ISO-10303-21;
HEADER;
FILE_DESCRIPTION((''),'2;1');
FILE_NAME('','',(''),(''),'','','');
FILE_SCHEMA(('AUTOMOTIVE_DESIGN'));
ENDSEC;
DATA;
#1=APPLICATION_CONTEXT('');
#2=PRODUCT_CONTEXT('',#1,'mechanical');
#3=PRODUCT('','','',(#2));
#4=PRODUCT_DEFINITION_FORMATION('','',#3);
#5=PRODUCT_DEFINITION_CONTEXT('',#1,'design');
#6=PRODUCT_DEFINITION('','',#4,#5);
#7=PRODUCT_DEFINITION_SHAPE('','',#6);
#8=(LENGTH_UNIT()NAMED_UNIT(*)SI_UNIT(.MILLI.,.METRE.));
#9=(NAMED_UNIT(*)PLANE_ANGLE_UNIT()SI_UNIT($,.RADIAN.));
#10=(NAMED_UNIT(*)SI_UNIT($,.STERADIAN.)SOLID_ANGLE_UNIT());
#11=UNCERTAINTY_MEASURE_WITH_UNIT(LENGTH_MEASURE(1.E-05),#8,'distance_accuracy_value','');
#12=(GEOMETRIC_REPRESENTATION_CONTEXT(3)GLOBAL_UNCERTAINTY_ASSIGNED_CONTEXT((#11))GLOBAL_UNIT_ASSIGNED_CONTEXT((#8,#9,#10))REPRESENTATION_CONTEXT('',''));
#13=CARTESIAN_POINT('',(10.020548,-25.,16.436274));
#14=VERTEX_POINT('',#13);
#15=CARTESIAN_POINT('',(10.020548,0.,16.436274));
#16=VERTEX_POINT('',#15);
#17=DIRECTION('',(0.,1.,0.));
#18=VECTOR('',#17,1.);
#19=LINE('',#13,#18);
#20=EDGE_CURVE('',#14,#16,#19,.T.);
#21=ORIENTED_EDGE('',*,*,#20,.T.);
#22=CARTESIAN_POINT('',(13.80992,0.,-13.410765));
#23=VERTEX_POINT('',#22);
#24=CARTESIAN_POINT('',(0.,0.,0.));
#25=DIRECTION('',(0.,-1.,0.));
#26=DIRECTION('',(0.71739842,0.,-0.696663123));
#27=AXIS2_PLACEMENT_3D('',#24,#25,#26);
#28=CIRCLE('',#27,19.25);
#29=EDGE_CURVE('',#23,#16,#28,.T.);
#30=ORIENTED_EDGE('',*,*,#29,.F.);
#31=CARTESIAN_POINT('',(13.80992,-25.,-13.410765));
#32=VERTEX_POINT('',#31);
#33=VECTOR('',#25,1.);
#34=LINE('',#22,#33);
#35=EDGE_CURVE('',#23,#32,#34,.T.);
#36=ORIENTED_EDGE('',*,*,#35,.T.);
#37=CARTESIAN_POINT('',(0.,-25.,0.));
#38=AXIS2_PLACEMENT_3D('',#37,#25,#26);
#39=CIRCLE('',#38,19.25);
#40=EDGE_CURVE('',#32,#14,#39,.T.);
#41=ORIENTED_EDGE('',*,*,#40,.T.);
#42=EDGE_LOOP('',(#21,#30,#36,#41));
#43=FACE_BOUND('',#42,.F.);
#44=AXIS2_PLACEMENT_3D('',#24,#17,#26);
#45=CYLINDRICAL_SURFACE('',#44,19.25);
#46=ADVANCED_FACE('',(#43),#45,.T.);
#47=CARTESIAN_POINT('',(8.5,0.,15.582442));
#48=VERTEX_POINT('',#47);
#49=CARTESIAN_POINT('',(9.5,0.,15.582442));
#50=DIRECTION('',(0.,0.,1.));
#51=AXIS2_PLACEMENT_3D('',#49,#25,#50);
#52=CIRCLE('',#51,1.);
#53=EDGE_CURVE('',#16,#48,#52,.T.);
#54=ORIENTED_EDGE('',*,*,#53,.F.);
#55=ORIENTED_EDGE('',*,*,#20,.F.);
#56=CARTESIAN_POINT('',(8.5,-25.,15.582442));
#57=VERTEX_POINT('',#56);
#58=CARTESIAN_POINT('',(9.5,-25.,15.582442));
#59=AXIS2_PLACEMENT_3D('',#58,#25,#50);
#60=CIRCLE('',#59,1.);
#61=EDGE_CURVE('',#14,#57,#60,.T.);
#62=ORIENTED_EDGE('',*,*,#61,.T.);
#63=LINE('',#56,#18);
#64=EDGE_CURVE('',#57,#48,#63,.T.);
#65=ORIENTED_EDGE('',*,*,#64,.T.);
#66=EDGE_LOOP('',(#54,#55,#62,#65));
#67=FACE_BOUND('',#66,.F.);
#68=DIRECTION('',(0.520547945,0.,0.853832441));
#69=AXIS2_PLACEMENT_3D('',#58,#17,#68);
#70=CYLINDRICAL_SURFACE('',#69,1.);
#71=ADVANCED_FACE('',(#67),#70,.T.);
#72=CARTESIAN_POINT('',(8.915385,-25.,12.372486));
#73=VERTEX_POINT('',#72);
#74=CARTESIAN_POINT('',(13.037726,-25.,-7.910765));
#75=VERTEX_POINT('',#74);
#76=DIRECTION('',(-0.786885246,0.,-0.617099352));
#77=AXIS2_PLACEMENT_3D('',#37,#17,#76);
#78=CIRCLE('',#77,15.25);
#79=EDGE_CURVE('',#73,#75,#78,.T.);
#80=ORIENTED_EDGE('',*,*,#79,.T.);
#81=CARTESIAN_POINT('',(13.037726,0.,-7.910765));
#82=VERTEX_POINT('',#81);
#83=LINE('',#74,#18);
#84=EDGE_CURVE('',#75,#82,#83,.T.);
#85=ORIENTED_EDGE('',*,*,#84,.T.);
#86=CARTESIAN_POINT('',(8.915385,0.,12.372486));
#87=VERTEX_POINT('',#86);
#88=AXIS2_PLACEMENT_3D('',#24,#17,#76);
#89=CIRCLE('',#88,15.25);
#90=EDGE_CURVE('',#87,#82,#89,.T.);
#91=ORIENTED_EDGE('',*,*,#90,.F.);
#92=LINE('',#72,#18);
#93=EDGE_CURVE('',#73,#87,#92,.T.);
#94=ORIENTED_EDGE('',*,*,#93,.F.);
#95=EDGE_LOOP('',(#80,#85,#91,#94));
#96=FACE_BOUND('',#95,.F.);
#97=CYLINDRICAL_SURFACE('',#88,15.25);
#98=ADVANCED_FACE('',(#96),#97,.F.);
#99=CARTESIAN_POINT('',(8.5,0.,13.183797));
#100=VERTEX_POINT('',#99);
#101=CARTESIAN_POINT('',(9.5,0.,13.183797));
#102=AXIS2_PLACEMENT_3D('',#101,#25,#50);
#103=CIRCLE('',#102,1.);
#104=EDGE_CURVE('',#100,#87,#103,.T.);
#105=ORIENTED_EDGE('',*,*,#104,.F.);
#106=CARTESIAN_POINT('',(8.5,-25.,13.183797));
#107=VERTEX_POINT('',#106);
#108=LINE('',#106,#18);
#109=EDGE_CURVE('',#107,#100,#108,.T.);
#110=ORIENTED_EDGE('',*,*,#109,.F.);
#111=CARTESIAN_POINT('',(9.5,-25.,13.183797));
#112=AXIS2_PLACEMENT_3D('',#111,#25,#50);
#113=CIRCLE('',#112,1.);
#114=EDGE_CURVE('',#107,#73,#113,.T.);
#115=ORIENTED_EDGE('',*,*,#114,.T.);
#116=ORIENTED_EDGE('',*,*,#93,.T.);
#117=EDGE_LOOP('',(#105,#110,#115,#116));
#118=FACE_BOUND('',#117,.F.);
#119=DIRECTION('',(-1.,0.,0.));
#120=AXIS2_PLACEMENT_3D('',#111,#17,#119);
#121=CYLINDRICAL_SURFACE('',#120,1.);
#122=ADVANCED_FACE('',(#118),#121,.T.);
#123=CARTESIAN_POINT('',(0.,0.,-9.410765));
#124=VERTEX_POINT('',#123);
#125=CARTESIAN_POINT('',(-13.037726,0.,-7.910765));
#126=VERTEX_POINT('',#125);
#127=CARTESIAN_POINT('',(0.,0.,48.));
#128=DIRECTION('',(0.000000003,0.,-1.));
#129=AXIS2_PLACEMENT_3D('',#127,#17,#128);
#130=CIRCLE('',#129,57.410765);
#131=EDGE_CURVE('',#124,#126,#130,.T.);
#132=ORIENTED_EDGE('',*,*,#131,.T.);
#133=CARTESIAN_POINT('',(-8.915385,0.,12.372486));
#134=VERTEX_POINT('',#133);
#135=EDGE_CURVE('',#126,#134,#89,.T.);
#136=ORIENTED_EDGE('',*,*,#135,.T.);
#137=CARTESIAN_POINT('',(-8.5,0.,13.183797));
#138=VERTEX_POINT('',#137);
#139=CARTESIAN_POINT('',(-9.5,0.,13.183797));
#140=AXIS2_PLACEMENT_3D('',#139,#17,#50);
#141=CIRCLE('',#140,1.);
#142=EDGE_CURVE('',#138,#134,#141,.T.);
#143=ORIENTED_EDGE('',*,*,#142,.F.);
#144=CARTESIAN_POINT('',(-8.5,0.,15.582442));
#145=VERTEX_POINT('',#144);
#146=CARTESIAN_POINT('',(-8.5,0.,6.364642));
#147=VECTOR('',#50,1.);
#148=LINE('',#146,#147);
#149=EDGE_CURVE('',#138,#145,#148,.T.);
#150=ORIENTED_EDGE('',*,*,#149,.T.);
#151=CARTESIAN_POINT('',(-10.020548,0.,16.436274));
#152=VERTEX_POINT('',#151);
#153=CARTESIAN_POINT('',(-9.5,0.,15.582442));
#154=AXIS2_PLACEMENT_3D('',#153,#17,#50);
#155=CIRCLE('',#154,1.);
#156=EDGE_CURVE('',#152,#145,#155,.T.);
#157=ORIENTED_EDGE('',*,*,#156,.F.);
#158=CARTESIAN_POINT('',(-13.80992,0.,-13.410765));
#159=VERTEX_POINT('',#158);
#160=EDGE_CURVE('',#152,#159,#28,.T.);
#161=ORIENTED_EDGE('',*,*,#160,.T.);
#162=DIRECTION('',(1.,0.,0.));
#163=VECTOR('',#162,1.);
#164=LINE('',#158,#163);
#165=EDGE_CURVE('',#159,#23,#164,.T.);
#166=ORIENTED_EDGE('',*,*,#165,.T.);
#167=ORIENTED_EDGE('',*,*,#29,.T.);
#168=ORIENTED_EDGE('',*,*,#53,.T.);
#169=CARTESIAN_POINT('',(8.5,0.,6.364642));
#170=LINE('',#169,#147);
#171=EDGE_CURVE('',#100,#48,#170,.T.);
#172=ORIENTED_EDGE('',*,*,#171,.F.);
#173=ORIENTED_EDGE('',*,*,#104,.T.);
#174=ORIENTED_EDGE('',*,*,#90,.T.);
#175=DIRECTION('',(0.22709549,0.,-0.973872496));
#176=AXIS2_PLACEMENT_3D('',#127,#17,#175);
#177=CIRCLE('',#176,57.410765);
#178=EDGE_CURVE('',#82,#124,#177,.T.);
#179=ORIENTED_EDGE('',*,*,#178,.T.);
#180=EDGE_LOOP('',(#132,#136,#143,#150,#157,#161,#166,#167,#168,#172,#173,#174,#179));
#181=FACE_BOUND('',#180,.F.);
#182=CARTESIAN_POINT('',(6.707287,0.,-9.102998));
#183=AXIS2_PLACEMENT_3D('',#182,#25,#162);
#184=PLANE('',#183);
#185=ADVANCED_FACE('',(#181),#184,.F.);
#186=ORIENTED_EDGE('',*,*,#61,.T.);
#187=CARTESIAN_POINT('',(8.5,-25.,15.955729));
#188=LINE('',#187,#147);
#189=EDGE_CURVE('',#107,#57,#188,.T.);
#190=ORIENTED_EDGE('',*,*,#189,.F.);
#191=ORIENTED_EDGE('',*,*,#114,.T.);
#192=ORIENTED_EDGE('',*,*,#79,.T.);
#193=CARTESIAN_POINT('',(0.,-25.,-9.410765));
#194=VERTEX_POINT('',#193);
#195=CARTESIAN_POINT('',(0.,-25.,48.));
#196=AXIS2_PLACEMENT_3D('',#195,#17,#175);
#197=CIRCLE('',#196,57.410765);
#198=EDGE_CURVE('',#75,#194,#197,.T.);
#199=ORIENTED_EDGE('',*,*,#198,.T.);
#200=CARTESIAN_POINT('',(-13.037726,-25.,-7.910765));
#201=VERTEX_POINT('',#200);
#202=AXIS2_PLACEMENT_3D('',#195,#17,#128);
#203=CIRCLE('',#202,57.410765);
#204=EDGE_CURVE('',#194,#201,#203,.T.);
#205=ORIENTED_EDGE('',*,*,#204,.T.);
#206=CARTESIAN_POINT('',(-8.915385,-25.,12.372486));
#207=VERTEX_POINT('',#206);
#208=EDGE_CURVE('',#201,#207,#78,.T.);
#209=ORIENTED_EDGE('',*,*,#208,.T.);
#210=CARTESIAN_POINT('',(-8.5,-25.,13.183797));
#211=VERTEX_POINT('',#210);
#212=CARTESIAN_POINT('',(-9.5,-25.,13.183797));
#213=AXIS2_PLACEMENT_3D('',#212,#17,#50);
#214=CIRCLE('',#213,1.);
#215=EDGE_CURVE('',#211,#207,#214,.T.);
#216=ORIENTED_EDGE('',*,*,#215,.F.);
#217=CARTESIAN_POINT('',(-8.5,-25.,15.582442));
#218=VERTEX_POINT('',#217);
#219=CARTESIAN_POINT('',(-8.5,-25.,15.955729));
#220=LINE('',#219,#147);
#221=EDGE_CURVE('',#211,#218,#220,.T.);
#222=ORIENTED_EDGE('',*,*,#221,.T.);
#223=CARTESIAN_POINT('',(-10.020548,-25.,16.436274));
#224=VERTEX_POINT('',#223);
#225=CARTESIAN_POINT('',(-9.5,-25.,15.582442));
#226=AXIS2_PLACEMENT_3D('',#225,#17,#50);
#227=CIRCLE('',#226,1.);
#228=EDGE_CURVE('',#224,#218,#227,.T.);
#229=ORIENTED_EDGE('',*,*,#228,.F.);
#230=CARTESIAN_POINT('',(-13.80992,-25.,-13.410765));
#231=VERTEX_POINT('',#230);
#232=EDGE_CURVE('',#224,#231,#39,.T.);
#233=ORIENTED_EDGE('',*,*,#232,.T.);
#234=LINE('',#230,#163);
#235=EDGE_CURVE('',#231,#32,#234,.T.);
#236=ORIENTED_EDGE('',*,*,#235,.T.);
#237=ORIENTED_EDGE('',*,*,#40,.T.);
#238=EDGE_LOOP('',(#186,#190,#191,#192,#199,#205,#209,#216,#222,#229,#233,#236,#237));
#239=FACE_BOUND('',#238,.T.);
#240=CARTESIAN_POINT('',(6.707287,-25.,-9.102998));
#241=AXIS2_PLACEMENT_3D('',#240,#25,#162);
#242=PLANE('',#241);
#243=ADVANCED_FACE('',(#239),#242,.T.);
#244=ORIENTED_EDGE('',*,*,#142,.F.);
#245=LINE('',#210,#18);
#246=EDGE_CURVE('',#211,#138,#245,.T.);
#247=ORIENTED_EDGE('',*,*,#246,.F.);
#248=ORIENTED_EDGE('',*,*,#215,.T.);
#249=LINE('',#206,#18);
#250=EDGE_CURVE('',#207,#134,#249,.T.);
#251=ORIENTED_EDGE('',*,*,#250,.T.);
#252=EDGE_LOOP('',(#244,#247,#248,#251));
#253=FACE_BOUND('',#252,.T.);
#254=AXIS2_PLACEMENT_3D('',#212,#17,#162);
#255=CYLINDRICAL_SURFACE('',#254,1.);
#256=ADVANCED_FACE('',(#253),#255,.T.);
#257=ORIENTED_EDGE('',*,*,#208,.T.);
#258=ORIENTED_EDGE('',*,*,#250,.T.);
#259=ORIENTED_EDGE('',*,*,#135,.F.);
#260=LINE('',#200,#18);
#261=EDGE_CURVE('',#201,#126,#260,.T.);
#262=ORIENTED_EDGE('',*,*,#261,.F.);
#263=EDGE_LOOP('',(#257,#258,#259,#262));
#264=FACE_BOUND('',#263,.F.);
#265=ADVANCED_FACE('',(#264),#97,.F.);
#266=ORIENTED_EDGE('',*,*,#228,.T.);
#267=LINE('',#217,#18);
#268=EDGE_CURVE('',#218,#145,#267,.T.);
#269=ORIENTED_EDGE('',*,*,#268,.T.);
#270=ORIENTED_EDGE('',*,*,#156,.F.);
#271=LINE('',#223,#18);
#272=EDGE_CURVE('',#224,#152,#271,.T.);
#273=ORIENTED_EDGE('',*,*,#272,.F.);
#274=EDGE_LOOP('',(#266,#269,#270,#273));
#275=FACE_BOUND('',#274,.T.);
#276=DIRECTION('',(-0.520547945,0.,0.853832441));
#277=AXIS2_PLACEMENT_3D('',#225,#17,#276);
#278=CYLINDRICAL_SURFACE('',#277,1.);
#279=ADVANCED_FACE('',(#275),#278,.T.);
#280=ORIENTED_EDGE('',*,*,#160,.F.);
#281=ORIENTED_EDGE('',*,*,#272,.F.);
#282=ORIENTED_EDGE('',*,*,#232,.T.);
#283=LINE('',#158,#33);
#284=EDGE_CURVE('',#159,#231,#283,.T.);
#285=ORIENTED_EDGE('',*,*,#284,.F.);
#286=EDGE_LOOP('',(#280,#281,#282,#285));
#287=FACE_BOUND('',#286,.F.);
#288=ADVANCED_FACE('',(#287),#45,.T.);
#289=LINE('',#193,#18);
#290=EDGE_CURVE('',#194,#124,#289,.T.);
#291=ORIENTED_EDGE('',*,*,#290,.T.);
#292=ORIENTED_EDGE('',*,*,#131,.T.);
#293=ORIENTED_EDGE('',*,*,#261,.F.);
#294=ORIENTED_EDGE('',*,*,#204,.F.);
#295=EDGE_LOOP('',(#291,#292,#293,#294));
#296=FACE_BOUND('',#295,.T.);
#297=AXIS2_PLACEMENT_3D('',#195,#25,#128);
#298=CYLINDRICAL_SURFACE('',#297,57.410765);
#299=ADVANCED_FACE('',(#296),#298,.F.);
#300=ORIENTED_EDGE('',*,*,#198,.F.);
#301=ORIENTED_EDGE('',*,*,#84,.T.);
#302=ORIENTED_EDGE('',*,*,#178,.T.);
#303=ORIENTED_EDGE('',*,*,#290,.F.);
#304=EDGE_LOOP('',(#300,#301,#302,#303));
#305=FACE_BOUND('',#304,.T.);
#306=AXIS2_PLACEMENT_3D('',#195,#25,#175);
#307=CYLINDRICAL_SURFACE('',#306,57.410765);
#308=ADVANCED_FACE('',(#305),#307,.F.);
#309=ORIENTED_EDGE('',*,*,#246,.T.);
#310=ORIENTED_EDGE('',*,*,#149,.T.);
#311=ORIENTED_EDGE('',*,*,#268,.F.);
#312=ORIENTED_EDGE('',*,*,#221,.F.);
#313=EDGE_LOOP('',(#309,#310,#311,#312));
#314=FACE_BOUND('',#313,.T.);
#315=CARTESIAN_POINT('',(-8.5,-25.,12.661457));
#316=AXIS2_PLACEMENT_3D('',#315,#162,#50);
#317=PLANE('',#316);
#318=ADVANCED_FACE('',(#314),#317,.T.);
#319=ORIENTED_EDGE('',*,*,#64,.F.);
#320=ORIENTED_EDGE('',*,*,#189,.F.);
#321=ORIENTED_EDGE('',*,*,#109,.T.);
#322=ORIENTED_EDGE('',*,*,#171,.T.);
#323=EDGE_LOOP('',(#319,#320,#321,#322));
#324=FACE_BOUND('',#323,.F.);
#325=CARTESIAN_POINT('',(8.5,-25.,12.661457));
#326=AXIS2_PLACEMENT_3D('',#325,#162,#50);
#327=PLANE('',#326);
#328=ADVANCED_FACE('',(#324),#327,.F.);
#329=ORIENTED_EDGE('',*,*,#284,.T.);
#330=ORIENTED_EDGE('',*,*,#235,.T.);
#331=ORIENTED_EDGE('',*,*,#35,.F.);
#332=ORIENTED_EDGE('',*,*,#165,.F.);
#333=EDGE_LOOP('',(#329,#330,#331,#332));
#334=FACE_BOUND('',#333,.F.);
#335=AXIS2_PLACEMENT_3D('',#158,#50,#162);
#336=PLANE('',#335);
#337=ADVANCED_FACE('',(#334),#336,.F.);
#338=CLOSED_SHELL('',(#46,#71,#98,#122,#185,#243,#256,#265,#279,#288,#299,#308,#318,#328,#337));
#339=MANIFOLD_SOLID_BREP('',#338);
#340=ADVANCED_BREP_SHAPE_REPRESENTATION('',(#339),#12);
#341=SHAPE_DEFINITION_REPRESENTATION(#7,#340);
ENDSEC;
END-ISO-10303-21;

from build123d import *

# Parameters (mm, degrees)
F1_DEPTH = 25
F2_W     = 17
F2_H     = 6.5885427379
F3_DEPTH = 25.001
F4_R     = 1
F6_DEPTH = 25


with BuildPart() as f1:
    # F0 (on Front) → F1 (new body)
    with BuildSketch(Plane.XZ):
        with BuildLine():
            Line((-13.8099195907, -13.4107651124), (13.8099195907, -13.4107651124))
            ThreePointArc((13.8099195907, -13.4107651124), (0, 19.25), (-13.8099195907, -13.4107651124))
        make_face()
        with BuildLine():
            ThreePointArc((-12, -9.4107651124), (0, 15.25), (12, -9.4107651124))
            Line((12, -9.4107651124), (-12, -9.4107651124))
        make_face(mode=Mode.SUBTRACT)
    extrude(amount=F1_DEPTH)

    # F2 (on face) → F3 (cut, through all)
    with BuildSketch(Plane.XZ.offset(25)):
        with Locations((0, 15.9557286311)):
            Rectangle(F2_W, F2_H)
    extrude(amount=-F3_DEPTH, mode=Mode.SUBTRACT)

    # F4
    f4_edges = [f1.edges().sort_by_distance(p)[0] for p in [
        (-8.5, -12.5, 17.271725),
        (-8.5, -12.5, 12.661457),
        (8.5, -12.5, 17.271725),
        (8.5, -12.5, 12.661457),
    ]]
    fillet(f4_edges, radius=F4_R)

    # F5 (on face) → F6 (join, through all)
    with BuildSketch(Plane.XZ.offset(25)):
        with BuildLine():
            ThreePointArc((13.0377258499, -7.9107651124), (6.5618652017, -9.0345323104), (1.674e-07, -9.4107651124))
            Line((1.674e-07, -9.4107651124), (12, -9.4107651124))
            ThreePointArc((12, -9.4107651124), (12.5413089003, -8.6762936249), (13.0377258499, -7.9107651124))
        make_face()
        with BuildLine():
            ThreePointArc((1.674e-07, -9.4107651124), (-6.5618650354, -9.0345323295), (-13.0377258499, -7.9107651124))
            ThreePointArc((-13.0377258499, -7.9107651124), (-12.5413089003, -8.6762936249), (-12, -9.4107651124))
            Line((-12, -9.4107651124), (1.674e-07, -9.4107651124))
        make_face()
    extrude(amount=-F6_DEPTH)


solid = f1.part
